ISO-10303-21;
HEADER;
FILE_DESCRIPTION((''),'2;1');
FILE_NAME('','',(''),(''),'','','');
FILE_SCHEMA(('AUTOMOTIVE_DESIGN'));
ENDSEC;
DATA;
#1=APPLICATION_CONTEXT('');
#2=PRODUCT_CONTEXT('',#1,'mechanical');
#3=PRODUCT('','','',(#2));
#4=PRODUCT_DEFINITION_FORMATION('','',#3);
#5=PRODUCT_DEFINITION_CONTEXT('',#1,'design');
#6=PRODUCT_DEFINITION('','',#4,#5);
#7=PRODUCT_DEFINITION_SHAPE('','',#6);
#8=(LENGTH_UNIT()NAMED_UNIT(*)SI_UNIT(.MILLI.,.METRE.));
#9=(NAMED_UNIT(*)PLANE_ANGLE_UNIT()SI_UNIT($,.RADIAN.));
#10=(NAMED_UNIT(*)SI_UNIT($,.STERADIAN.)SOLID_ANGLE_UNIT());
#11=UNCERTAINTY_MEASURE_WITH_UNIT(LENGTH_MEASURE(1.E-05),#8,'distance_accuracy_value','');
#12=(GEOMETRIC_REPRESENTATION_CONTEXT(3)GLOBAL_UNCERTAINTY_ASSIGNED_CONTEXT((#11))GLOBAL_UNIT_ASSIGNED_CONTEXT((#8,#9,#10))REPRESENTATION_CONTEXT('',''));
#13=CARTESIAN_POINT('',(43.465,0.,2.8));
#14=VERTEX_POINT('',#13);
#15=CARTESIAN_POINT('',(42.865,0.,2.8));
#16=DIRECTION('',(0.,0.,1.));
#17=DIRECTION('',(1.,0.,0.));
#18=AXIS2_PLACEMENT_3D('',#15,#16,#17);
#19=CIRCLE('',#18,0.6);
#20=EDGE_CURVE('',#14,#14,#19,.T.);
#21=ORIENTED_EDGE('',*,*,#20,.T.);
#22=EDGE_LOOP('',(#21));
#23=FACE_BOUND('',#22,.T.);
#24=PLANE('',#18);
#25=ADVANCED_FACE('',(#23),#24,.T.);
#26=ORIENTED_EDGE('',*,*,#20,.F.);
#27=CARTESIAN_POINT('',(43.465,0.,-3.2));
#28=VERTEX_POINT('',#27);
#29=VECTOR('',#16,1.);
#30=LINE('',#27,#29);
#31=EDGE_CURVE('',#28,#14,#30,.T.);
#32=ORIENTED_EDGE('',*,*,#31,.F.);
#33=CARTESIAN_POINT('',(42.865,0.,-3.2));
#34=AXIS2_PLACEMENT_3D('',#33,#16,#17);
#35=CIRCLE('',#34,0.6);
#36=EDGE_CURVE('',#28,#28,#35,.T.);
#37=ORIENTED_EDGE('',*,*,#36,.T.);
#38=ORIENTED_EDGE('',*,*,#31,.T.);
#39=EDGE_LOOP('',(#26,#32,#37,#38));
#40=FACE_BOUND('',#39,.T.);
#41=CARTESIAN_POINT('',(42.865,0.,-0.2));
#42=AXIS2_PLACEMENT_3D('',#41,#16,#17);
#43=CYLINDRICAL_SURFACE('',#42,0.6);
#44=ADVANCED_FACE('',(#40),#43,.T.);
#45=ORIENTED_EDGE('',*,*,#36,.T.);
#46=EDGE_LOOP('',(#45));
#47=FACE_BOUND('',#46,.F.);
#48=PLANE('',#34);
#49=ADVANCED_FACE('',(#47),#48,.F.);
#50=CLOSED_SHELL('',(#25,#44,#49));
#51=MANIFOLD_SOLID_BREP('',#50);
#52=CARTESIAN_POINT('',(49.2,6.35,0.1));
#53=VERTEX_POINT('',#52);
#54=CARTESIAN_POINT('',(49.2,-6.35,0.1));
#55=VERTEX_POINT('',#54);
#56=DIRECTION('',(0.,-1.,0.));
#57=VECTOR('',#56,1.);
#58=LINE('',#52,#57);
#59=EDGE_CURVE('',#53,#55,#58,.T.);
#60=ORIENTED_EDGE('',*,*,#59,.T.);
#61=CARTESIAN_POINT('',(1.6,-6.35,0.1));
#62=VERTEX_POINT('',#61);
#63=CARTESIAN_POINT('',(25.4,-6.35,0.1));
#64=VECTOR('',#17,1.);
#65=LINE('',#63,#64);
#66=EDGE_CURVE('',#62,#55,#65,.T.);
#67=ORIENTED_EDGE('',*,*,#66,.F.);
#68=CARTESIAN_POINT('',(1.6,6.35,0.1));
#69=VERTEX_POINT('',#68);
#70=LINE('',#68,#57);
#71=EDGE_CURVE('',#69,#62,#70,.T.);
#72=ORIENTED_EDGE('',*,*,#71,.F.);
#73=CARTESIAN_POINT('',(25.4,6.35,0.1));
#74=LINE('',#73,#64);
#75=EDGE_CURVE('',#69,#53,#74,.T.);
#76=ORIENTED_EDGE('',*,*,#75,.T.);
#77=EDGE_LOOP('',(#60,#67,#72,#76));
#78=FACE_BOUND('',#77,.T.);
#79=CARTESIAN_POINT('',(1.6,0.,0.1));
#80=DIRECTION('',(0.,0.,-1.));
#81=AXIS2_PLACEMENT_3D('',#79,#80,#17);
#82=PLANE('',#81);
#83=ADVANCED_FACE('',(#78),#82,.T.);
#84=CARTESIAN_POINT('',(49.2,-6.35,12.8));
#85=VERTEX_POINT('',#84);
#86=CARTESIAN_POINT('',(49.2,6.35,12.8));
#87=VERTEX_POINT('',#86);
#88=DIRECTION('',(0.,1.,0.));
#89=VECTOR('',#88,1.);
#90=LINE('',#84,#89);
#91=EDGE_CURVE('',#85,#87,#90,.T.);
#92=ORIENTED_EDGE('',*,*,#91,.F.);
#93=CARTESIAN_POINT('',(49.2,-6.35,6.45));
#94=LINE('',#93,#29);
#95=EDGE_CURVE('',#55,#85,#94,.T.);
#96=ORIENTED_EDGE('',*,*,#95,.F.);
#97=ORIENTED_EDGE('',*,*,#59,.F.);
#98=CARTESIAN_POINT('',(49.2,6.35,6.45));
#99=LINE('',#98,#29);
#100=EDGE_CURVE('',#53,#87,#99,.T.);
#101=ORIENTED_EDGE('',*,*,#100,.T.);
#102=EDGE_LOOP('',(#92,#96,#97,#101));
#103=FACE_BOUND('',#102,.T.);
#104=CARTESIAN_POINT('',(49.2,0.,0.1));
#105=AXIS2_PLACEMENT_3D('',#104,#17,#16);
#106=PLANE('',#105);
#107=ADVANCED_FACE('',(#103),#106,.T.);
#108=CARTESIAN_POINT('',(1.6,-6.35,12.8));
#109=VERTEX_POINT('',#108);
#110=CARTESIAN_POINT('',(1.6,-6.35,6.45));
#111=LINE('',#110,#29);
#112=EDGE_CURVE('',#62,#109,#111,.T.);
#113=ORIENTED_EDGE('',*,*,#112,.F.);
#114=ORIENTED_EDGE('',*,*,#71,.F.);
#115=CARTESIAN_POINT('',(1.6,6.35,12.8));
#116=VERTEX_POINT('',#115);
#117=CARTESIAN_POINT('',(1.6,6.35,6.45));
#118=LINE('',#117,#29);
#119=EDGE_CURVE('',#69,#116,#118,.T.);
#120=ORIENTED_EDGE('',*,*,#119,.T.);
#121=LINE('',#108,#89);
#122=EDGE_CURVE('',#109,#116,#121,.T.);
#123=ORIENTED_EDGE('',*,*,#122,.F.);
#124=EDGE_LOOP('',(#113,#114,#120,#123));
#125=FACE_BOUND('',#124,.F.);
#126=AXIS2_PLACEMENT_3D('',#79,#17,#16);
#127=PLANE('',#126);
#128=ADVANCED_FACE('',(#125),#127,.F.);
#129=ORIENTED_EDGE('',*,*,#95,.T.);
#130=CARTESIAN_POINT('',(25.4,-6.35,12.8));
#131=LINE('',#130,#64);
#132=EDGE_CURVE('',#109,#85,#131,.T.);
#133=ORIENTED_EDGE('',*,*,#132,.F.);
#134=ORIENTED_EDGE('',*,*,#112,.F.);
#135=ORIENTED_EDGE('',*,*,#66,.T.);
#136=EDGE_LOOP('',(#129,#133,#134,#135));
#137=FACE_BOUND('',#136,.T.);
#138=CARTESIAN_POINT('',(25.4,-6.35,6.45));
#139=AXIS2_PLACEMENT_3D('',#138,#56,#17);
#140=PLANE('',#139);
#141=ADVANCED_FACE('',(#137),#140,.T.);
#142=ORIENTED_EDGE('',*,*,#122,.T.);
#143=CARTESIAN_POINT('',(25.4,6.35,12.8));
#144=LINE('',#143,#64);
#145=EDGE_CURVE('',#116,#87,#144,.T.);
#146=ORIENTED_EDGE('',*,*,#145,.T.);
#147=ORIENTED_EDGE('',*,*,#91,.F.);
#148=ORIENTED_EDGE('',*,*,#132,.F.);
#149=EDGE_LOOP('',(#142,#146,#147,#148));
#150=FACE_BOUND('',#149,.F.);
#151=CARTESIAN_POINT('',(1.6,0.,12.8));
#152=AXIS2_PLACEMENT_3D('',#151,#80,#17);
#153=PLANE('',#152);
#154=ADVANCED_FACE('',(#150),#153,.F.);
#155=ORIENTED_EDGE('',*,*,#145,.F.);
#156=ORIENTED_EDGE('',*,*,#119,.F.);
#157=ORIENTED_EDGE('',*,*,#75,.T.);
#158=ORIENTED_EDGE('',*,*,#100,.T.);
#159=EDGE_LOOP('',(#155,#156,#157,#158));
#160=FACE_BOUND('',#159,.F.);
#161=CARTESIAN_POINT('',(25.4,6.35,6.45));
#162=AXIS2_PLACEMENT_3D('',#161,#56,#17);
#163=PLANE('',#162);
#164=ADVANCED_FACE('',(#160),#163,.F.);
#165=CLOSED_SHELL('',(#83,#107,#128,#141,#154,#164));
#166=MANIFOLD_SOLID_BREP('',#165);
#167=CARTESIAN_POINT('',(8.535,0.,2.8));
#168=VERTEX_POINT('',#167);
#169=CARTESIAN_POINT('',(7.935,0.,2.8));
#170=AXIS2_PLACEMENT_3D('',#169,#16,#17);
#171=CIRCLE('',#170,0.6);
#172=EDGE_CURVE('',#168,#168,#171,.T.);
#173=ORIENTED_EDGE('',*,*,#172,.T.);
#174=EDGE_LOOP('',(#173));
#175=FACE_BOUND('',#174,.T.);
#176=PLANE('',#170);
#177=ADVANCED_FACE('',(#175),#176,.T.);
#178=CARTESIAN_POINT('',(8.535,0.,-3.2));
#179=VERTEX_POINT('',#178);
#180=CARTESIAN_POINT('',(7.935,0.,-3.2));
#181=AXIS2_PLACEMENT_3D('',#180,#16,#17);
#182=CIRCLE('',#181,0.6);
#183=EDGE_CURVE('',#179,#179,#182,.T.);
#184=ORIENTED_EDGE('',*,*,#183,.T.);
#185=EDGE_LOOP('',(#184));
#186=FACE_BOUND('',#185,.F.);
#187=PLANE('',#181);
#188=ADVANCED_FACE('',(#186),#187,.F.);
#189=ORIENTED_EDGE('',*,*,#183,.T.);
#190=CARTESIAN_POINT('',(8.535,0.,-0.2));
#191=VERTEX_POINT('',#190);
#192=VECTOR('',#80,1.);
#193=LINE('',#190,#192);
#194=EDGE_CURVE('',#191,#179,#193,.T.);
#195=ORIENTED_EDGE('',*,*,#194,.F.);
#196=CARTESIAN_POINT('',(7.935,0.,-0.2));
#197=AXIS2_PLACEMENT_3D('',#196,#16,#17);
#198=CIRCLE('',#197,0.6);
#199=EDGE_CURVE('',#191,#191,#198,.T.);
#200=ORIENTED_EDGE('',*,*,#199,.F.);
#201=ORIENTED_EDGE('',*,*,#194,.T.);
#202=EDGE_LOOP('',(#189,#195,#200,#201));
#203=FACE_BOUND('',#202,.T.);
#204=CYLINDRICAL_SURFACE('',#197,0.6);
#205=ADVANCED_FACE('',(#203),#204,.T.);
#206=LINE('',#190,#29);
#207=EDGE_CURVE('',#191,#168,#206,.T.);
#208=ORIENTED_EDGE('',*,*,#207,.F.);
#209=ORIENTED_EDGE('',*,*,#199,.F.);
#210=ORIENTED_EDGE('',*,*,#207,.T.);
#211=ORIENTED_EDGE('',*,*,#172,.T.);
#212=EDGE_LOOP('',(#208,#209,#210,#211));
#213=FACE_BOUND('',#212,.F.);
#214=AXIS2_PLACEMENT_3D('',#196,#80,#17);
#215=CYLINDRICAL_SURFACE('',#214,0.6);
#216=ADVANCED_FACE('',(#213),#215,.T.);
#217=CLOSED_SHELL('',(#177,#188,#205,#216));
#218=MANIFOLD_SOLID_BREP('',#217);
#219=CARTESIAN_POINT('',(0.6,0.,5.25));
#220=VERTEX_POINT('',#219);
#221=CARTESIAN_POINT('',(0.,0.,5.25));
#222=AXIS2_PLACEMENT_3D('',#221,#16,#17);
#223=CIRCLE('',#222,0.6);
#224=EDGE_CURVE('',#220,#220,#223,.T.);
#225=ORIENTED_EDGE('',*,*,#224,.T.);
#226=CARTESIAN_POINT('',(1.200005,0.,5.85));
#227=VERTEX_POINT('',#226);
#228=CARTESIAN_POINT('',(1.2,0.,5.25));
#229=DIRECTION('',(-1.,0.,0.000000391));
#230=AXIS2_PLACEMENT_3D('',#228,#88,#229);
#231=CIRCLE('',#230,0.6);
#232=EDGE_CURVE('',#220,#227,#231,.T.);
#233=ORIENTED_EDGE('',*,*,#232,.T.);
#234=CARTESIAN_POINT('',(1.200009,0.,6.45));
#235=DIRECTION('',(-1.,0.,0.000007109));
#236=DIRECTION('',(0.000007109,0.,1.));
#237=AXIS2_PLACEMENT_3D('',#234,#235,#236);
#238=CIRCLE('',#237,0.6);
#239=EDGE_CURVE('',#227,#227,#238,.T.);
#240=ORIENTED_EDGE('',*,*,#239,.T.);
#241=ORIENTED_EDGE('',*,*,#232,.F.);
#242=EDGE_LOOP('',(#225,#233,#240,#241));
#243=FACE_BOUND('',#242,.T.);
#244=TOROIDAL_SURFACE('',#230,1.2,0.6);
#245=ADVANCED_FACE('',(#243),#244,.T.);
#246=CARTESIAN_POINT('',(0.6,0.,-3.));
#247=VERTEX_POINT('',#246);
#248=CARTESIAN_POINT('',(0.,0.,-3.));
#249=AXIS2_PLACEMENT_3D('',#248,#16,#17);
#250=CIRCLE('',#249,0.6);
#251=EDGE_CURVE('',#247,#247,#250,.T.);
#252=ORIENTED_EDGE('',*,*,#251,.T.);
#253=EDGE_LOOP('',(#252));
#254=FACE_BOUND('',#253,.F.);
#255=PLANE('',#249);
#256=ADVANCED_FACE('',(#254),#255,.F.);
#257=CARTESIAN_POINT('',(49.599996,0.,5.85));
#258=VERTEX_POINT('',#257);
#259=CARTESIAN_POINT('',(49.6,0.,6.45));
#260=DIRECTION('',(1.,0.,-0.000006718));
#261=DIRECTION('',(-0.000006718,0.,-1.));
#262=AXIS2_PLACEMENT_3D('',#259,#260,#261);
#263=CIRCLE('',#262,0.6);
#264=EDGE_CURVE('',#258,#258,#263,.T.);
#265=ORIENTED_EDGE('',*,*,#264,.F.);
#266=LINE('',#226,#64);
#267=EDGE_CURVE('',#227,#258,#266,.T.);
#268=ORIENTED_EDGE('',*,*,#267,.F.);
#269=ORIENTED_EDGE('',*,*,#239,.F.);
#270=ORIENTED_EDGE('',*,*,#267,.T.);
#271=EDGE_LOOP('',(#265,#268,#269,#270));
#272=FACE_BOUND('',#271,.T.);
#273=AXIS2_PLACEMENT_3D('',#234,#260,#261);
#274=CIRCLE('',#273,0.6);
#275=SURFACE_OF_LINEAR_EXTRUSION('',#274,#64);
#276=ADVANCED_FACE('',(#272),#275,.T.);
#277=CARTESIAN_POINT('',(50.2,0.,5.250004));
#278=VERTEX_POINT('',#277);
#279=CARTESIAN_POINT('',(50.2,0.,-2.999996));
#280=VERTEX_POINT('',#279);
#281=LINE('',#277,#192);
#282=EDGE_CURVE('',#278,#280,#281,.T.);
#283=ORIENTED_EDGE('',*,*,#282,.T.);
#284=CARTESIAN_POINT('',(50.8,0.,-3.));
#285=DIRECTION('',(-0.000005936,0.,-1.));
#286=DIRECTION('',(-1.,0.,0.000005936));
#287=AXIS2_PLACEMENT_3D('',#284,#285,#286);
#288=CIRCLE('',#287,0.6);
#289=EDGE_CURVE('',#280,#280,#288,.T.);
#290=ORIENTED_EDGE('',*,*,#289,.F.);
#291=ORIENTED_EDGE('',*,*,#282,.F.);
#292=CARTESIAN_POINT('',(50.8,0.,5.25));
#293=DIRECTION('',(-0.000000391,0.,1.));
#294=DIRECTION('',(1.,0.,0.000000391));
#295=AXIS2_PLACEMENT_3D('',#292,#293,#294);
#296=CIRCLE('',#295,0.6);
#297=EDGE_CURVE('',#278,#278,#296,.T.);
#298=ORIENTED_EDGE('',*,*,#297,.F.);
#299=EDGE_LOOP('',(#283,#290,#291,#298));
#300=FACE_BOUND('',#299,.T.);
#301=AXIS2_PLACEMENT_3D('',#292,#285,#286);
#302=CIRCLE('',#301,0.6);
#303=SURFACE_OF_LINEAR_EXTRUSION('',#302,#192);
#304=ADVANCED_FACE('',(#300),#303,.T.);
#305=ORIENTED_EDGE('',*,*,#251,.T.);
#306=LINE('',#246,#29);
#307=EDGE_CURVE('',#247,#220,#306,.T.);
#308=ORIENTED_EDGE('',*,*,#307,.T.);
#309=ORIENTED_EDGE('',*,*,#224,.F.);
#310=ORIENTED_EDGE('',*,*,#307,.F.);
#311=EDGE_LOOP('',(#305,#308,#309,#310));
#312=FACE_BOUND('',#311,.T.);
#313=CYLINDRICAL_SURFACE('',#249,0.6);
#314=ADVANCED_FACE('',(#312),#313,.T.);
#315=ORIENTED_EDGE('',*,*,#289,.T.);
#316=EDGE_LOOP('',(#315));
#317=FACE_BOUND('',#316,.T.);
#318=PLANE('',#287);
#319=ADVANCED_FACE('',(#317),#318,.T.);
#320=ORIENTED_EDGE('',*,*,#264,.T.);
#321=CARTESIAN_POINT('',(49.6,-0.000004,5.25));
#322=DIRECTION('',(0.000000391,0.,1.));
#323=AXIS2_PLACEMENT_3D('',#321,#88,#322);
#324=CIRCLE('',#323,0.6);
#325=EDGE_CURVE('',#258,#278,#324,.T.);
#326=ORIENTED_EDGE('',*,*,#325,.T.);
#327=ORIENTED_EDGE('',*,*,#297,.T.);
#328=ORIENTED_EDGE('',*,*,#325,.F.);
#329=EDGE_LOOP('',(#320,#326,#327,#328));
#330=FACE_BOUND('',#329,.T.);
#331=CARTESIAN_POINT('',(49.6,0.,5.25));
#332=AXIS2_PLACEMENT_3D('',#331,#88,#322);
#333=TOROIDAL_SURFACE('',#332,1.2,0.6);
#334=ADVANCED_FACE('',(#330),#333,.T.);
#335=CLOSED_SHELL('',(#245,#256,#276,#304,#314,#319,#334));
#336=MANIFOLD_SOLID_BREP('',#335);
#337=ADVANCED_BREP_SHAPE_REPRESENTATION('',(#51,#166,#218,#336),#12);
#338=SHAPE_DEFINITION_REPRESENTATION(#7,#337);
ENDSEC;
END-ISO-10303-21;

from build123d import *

# Parameters (mm, degrees)
SKETCH_R     = 0.6
SKETCH002_W  = 47.6
SKETCH002_H  = 12.7
PAD_DEPTH    = 6.35
SKETCH004_R  = 0.6
PAD001_DEPTH = 3


with BuildPart() as sweep_body:
    # Sweep: sweep along a path in Sketch001
    with BuildLine(Plane.XZ) as sweep_path:
        Line((0, -3), (0, 5.25))
        ThreePointArc((0, 5.25), (0.351475, 6.098531), (1.200009, 6.45))
        Line((1.200009, 6.45), (49.6, 6.45))
        ThreePointArc((49.6, 6.45), (50.448528, 6.098528), (50.8, 5.25))
        Line((50.8, 5.25), (50.8, -3))
    # Sketch → Sweep (sweep)
    with BuildSketch(Plane.XY.offset(-2)):
        Circle(SKETCH_R)
    sweep(path=sweep_path.line)


with BuildPart() as pad:
    # Sketch002 → Pad (new body, symmetric)
    with BuildSketch(Plane.XZ):
        with Locations((25.4, 6.45)):
            Rectangle(SKETCH002_W, SKETCH002_H)
    extrude(amount=PAD_DEPTH, both=True)


with BuildPart() as pad001:
    # Sketch004 → Pad001 (new body, symmetric)
    with BuildSketch(Plane.XY.offset(-0.2)):
        with Locations((7.935, 0)):
            Circle(SKETCH004_R)
        with Locations((42.865, 0)):
            Circle(SKETCH004_R)
    extrude(amount=PAD001_DEPTH, both=True)


solid = Compound([sweep_body.part, pad.part, pad001.part])
